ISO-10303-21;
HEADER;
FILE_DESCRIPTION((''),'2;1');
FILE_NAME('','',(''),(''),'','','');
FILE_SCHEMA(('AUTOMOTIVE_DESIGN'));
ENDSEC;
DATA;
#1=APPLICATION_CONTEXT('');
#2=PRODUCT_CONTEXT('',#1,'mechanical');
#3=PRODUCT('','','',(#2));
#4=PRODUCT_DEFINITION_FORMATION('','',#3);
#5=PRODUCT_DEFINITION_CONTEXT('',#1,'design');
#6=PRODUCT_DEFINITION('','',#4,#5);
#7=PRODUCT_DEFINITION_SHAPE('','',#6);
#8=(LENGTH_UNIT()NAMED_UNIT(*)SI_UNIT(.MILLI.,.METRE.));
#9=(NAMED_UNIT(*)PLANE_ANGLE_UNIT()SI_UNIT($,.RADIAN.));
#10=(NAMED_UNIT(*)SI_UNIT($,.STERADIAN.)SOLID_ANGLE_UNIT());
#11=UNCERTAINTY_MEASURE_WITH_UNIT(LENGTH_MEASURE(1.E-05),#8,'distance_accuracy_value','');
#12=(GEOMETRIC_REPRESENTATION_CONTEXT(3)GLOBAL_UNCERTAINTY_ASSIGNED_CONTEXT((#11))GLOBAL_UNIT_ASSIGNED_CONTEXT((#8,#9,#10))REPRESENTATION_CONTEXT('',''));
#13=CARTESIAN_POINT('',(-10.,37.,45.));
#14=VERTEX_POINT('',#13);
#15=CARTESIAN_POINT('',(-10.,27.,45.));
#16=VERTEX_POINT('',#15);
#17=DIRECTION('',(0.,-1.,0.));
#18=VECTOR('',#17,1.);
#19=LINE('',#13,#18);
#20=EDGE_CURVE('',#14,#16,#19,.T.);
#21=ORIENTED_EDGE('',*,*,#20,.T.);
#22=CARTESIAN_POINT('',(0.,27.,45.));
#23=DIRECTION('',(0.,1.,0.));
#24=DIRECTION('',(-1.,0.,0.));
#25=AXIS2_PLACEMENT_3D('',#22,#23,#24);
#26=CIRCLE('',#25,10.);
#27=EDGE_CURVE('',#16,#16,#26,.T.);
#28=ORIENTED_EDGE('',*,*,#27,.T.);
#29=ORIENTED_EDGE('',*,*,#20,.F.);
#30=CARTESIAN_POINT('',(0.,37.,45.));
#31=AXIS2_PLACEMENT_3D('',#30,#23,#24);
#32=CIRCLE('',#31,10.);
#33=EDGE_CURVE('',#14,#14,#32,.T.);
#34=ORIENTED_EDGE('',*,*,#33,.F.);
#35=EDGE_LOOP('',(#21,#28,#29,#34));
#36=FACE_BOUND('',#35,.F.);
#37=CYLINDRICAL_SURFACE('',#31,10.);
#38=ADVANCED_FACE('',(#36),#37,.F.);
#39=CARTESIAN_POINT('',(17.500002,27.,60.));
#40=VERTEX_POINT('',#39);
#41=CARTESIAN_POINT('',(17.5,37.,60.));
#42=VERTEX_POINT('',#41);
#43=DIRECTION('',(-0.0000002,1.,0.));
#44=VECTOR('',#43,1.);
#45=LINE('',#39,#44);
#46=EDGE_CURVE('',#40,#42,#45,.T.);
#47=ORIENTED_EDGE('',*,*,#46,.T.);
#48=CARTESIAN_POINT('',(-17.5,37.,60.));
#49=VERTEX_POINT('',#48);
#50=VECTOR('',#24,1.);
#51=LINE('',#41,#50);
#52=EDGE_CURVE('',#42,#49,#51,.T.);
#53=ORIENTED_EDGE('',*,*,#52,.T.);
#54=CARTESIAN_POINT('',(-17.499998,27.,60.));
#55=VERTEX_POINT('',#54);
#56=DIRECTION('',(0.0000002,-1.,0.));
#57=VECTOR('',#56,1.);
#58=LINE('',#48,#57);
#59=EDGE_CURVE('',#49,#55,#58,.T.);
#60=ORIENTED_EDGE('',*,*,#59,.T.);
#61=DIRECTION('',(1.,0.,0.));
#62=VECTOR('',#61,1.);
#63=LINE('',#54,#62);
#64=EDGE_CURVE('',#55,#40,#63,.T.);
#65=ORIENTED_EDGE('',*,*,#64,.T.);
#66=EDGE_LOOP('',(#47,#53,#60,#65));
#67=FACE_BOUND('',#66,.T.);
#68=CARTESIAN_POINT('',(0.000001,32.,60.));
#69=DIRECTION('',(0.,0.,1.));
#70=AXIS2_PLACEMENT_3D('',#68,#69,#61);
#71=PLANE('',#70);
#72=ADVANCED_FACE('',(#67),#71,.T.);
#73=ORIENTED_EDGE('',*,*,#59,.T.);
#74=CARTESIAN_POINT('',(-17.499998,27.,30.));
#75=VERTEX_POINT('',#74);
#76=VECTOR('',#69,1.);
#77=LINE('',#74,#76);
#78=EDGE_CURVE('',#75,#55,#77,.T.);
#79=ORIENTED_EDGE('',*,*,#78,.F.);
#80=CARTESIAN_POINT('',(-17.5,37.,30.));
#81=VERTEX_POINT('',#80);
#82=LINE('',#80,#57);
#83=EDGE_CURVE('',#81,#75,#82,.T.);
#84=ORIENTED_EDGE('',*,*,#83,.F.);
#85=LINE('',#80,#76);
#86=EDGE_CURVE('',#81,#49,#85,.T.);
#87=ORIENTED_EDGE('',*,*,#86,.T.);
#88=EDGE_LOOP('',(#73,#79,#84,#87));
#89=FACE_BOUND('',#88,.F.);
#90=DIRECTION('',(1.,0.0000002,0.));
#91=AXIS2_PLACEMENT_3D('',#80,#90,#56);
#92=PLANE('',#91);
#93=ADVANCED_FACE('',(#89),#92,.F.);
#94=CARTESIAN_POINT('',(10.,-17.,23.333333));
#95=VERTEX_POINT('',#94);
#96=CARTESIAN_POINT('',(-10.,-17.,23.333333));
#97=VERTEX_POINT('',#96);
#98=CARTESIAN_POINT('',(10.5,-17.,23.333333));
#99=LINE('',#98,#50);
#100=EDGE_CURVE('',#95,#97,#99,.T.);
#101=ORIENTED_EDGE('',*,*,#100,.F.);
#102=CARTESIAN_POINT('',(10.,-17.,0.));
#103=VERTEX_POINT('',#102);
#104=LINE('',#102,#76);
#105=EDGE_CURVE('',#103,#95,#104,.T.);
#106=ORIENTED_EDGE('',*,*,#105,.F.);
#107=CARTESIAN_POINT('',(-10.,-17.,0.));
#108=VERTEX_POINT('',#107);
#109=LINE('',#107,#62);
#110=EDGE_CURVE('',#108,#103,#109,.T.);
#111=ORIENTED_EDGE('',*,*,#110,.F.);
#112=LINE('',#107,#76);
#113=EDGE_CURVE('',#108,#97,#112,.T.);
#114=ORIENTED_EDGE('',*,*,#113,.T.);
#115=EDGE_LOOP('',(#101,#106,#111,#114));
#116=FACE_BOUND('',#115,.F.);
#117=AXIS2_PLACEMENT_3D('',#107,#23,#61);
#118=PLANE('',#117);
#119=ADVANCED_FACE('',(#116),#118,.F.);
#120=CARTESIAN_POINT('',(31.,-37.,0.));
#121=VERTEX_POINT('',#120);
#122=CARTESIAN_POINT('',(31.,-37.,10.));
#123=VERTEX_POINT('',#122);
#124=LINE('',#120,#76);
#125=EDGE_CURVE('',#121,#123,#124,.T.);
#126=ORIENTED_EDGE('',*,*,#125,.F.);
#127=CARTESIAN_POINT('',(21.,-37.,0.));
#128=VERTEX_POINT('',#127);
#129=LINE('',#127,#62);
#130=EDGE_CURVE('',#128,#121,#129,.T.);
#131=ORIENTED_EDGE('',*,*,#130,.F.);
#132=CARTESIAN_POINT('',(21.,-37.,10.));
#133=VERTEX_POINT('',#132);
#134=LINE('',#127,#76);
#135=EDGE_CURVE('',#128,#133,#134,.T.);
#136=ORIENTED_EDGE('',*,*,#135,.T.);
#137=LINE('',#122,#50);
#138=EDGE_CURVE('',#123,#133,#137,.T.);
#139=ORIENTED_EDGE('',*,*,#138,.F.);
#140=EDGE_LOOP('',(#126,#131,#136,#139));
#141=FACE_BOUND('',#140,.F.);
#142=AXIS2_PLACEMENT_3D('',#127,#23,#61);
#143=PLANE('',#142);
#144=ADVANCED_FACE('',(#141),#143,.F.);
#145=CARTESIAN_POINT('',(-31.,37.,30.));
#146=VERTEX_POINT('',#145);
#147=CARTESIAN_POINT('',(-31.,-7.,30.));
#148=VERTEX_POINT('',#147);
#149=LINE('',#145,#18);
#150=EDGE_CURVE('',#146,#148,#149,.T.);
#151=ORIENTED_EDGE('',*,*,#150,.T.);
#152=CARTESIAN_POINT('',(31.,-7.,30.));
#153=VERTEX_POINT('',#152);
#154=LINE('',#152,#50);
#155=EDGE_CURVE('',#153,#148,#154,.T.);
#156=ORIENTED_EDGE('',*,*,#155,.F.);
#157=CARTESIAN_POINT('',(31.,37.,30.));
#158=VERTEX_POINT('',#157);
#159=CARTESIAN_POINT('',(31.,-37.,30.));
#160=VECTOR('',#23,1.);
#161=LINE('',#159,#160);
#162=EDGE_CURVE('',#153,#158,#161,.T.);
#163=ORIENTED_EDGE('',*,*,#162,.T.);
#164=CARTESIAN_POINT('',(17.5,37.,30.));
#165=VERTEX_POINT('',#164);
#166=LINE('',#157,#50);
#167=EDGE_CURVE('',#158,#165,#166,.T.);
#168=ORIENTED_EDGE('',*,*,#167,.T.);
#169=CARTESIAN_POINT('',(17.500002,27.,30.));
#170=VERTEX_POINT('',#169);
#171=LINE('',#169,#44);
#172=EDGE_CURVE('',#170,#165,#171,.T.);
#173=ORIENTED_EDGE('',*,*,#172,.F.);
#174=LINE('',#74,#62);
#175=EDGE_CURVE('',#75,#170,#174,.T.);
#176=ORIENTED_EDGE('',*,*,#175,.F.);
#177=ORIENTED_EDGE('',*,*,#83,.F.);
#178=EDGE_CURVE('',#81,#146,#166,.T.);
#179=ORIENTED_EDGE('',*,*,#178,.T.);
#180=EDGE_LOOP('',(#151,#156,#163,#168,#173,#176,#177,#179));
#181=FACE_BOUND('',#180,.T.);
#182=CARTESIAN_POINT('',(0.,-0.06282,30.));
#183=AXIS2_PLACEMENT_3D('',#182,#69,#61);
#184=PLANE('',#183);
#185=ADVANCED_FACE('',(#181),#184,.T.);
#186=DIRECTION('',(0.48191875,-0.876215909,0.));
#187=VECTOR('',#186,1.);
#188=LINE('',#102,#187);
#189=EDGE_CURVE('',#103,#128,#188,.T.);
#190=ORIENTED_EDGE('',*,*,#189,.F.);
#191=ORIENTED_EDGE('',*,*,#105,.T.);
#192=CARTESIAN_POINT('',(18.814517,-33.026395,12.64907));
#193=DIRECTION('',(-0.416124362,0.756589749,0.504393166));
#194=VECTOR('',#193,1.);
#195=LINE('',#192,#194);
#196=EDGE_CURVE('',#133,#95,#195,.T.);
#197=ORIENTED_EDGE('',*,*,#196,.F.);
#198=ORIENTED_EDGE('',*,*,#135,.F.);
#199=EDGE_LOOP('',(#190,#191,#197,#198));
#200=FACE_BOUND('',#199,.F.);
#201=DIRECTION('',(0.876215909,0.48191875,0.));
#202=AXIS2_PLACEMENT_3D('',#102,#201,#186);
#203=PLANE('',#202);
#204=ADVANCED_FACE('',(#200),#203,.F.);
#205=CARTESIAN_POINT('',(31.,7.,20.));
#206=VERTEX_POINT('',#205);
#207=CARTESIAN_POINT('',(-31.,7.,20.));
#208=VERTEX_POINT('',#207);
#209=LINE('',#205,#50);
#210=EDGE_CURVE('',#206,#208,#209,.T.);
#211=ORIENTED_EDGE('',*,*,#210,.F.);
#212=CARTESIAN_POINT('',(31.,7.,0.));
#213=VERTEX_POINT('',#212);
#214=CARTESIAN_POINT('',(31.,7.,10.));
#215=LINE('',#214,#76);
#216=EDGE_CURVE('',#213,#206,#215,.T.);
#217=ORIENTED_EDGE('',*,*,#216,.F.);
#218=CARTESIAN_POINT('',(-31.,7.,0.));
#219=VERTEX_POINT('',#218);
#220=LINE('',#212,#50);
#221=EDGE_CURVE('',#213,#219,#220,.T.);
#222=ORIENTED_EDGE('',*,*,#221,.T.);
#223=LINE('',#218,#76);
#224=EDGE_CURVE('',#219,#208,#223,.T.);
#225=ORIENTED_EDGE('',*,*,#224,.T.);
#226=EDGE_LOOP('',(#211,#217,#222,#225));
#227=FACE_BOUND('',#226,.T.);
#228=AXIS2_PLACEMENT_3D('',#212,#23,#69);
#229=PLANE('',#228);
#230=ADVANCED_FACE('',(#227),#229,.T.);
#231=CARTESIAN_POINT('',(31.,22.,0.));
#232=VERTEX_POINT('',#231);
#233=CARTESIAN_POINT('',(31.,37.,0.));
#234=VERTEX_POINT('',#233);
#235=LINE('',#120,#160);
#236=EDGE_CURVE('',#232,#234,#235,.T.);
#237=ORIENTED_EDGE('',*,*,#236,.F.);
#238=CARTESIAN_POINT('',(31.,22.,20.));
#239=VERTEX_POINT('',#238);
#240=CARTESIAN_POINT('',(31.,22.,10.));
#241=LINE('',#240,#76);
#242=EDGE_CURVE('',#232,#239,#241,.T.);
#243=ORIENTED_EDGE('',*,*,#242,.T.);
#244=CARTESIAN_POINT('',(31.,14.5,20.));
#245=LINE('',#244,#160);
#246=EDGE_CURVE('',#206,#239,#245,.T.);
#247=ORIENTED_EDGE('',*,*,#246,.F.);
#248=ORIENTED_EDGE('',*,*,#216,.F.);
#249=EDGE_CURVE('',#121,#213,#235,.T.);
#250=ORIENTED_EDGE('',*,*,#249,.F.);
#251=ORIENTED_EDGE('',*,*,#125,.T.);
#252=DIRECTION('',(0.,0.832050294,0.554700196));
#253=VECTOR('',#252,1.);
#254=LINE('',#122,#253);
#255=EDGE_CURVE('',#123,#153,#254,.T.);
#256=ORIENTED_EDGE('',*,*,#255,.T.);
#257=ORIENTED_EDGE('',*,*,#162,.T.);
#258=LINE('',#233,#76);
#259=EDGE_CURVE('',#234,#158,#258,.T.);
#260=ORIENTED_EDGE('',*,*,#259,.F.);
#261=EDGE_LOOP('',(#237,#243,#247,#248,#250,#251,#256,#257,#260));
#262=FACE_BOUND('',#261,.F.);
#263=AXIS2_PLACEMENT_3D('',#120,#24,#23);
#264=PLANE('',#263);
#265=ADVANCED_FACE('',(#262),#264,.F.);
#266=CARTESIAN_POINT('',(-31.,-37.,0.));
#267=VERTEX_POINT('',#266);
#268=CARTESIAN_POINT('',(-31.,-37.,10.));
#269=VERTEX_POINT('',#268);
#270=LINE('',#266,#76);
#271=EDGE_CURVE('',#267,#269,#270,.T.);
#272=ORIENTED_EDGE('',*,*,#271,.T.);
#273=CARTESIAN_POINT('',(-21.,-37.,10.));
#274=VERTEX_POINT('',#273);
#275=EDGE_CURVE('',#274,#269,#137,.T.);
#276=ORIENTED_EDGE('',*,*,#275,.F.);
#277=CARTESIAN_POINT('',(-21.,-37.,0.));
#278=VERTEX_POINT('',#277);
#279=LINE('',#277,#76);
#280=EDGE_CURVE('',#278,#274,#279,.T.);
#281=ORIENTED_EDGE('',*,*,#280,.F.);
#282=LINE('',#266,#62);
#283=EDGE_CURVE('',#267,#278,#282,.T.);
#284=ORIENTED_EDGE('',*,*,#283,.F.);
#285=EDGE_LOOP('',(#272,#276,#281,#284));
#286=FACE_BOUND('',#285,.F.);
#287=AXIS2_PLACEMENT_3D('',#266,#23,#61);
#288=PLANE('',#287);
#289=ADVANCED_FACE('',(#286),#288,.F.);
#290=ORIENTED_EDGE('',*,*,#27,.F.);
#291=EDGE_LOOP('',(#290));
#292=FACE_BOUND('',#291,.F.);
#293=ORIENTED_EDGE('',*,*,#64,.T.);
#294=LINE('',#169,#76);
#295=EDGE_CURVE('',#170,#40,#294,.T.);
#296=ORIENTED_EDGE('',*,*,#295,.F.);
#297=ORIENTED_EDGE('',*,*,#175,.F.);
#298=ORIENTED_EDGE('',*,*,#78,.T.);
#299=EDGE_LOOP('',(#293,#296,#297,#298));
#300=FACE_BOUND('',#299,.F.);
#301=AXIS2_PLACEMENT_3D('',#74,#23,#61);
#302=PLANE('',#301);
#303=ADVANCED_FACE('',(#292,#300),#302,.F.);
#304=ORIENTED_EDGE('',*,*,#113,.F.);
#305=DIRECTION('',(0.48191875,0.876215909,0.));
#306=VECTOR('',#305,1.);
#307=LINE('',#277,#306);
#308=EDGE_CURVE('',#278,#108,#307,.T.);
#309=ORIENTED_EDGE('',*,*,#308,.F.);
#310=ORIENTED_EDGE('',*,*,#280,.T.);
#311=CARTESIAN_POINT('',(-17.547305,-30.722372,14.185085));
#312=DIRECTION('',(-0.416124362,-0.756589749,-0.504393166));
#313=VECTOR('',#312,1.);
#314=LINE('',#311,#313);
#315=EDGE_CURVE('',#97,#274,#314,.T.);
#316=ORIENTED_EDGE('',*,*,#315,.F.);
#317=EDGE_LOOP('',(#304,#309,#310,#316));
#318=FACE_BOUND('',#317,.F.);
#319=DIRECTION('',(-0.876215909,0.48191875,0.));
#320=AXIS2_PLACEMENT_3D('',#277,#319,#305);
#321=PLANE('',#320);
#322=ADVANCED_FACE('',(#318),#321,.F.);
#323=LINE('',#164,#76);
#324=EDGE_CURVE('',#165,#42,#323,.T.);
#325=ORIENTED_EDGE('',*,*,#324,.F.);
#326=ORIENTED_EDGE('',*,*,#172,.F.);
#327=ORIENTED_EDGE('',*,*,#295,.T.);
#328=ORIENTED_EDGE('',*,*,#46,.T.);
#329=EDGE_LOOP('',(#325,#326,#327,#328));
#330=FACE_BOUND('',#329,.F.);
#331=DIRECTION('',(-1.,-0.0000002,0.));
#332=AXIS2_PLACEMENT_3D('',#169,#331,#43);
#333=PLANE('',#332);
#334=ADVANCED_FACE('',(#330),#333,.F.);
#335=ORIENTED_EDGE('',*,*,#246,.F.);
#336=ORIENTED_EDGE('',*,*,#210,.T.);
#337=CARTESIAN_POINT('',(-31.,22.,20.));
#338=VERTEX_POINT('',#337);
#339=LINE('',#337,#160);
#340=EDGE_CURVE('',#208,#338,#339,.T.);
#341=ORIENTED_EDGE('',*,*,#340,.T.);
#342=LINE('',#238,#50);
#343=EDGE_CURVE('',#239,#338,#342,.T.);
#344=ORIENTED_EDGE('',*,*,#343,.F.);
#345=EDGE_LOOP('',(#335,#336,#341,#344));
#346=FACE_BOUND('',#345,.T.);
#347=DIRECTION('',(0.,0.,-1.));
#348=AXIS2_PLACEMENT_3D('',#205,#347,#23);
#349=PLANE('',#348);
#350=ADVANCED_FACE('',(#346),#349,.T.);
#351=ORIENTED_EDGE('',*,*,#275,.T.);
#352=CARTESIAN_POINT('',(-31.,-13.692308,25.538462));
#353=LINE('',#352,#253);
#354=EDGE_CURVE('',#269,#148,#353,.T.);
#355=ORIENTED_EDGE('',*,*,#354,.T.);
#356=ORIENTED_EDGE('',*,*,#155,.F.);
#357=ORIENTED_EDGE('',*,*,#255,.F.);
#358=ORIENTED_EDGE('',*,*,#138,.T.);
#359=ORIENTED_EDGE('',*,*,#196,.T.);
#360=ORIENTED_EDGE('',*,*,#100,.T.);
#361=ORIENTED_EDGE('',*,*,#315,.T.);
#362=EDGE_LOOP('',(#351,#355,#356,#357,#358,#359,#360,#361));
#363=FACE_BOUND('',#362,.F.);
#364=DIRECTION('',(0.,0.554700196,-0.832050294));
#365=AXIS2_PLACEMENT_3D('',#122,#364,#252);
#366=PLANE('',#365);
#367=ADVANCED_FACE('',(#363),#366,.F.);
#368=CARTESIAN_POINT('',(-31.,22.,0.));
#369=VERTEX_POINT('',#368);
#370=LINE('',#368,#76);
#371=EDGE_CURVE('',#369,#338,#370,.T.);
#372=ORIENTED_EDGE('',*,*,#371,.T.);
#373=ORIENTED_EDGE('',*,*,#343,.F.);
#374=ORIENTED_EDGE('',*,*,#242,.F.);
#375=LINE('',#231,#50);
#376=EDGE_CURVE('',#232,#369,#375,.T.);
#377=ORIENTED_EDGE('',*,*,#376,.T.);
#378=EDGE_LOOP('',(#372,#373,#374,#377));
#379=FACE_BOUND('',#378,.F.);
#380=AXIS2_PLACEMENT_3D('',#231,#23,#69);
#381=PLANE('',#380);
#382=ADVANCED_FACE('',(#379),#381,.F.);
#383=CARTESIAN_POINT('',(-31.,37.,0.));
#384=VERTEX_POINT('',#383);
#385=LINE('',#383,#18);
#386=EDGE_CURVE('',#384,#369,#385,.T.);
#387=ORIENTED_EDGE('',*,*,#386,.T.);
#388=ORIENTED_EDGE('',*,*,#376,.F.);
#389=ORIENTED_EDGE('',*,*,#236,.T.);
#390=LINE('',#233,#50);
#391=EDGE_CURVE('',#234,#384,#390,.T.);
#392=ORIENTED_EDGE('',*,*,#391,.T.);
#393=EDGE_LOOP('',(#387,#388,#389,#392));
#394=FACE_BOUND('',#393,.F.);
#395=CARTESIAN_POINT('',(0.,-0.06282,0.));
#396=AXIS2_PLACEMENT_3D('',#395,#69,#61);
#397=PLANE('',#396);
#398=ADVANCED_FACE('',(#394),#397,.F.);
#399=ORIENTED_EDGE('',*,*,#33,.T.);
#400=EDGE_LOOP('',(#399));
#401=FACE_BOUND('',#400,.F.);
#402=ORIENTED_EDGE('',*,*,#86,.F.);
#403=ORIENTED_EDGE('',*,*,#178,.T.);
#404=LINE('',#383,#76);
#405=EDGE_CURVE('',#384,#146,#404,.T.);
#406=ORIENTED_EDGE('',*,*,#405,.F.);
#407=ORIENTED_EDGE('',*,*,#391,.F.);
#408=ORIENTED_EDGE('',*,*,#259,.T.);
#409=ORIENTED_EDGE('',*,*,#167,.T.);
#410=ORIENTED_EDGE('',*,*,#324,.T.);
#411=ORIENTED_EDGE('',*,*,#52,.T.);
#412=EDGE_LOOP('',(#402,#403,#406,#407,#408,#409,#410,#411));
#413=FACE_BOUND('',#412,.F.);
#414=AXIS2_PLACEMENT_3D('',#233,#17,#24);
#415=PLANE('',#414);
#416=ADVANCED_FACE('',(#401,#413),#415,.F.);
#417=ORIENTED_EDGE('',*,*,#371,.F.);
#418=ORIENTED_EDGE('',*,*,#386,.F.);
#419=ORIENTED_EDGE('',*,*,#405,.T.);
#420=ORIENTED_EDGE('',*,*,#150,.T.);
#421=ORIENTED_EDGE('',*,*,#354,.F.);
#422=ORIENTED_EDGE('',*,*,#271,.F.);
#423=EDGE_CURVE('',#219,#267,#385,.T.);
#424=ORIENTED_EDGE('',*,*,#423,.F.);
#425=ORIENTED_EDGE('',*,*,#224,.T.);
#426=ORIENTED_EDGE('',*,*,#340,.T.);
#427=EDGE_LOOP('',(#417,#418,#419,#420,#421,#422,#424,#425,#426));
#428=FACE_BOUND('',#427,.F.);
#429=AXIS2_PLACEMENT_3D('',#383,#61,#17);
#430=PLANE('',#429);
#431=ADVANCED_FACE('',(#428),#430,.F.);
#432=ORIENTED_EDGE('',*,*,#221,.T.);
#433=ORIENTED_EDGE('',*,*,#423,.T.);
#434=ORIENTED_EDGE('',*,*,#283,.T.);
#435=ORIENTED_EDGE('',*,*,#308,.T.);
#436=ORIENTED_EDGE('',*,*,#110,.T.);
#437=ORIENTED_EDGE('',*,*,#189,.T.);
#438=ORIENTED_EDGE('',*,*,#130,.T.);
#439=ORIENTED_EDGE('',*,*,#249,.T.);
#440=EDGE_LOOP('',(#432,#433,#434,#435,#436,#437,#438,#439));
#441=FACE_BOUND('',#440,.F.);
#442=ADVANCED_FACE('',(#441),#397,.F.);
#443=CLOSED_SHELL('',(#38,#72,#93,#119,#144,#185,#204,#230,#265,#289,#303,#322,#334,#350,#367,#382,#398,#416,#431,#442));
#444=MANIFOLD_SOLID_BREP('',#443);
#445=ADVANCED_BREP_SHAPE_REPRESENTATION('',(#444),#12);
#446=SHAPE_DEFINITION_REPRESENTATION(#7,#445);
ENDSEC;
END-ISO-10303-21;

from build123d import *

# Parameters (mm, degrees)
F1_DEPTH = 30
F2_W     = 15
F2_H     = 20
F3_DEPTH = 84.5
F5_DEPTH = 30
F6_R     = 10
F7_DEPTH = 25


with BuildPart() as f1:
    # F0 (on Top) → F1 (new body)
    with BuildSketch(Plane.XY):
        Polygon((21, -37), (31, -37), (31, 37), (-31, 37), (-31, -37), (-21, -37), (-10, -17), (0, -17), (10, -17), align=None)
    extrude(amount=F1_DEPTH)

    # F2 (on face) → F3 (cut)
    with BuildSketch(Plane.YZ.offset(31)):
        with Locations((14.5, 10)):
            Rectangle(F2_W, F2_H)
        Polygon((-37, 10), (-7, 30), (-37, 30), align=None)
    extrude(amount=-F3_DEPTH, mode=Mode.SUBTRACT)

    # F4 (on face) → F5 (join)
    with BuildSketch(Plane.XY.offset(30)):
        Polygon((-17.499998, 27), (17.500002, 27), (17.5, 37), (-17.5, 37), align=None)
    extrude(amount=F5_DEPTH)

    # F6 (on face) → F7 (cut)
    with BuildSketch(Plane(origin=(0, 37, 0), x_dir=(-1, 0, 0), z_dir=(0, 1, 0))):
        with Locations((0, 45)):
            Circle(F6_R)
    extrude(amount=-F7_DEPTH, mode=Mode.SUBTRACT)


solid = f1.part
